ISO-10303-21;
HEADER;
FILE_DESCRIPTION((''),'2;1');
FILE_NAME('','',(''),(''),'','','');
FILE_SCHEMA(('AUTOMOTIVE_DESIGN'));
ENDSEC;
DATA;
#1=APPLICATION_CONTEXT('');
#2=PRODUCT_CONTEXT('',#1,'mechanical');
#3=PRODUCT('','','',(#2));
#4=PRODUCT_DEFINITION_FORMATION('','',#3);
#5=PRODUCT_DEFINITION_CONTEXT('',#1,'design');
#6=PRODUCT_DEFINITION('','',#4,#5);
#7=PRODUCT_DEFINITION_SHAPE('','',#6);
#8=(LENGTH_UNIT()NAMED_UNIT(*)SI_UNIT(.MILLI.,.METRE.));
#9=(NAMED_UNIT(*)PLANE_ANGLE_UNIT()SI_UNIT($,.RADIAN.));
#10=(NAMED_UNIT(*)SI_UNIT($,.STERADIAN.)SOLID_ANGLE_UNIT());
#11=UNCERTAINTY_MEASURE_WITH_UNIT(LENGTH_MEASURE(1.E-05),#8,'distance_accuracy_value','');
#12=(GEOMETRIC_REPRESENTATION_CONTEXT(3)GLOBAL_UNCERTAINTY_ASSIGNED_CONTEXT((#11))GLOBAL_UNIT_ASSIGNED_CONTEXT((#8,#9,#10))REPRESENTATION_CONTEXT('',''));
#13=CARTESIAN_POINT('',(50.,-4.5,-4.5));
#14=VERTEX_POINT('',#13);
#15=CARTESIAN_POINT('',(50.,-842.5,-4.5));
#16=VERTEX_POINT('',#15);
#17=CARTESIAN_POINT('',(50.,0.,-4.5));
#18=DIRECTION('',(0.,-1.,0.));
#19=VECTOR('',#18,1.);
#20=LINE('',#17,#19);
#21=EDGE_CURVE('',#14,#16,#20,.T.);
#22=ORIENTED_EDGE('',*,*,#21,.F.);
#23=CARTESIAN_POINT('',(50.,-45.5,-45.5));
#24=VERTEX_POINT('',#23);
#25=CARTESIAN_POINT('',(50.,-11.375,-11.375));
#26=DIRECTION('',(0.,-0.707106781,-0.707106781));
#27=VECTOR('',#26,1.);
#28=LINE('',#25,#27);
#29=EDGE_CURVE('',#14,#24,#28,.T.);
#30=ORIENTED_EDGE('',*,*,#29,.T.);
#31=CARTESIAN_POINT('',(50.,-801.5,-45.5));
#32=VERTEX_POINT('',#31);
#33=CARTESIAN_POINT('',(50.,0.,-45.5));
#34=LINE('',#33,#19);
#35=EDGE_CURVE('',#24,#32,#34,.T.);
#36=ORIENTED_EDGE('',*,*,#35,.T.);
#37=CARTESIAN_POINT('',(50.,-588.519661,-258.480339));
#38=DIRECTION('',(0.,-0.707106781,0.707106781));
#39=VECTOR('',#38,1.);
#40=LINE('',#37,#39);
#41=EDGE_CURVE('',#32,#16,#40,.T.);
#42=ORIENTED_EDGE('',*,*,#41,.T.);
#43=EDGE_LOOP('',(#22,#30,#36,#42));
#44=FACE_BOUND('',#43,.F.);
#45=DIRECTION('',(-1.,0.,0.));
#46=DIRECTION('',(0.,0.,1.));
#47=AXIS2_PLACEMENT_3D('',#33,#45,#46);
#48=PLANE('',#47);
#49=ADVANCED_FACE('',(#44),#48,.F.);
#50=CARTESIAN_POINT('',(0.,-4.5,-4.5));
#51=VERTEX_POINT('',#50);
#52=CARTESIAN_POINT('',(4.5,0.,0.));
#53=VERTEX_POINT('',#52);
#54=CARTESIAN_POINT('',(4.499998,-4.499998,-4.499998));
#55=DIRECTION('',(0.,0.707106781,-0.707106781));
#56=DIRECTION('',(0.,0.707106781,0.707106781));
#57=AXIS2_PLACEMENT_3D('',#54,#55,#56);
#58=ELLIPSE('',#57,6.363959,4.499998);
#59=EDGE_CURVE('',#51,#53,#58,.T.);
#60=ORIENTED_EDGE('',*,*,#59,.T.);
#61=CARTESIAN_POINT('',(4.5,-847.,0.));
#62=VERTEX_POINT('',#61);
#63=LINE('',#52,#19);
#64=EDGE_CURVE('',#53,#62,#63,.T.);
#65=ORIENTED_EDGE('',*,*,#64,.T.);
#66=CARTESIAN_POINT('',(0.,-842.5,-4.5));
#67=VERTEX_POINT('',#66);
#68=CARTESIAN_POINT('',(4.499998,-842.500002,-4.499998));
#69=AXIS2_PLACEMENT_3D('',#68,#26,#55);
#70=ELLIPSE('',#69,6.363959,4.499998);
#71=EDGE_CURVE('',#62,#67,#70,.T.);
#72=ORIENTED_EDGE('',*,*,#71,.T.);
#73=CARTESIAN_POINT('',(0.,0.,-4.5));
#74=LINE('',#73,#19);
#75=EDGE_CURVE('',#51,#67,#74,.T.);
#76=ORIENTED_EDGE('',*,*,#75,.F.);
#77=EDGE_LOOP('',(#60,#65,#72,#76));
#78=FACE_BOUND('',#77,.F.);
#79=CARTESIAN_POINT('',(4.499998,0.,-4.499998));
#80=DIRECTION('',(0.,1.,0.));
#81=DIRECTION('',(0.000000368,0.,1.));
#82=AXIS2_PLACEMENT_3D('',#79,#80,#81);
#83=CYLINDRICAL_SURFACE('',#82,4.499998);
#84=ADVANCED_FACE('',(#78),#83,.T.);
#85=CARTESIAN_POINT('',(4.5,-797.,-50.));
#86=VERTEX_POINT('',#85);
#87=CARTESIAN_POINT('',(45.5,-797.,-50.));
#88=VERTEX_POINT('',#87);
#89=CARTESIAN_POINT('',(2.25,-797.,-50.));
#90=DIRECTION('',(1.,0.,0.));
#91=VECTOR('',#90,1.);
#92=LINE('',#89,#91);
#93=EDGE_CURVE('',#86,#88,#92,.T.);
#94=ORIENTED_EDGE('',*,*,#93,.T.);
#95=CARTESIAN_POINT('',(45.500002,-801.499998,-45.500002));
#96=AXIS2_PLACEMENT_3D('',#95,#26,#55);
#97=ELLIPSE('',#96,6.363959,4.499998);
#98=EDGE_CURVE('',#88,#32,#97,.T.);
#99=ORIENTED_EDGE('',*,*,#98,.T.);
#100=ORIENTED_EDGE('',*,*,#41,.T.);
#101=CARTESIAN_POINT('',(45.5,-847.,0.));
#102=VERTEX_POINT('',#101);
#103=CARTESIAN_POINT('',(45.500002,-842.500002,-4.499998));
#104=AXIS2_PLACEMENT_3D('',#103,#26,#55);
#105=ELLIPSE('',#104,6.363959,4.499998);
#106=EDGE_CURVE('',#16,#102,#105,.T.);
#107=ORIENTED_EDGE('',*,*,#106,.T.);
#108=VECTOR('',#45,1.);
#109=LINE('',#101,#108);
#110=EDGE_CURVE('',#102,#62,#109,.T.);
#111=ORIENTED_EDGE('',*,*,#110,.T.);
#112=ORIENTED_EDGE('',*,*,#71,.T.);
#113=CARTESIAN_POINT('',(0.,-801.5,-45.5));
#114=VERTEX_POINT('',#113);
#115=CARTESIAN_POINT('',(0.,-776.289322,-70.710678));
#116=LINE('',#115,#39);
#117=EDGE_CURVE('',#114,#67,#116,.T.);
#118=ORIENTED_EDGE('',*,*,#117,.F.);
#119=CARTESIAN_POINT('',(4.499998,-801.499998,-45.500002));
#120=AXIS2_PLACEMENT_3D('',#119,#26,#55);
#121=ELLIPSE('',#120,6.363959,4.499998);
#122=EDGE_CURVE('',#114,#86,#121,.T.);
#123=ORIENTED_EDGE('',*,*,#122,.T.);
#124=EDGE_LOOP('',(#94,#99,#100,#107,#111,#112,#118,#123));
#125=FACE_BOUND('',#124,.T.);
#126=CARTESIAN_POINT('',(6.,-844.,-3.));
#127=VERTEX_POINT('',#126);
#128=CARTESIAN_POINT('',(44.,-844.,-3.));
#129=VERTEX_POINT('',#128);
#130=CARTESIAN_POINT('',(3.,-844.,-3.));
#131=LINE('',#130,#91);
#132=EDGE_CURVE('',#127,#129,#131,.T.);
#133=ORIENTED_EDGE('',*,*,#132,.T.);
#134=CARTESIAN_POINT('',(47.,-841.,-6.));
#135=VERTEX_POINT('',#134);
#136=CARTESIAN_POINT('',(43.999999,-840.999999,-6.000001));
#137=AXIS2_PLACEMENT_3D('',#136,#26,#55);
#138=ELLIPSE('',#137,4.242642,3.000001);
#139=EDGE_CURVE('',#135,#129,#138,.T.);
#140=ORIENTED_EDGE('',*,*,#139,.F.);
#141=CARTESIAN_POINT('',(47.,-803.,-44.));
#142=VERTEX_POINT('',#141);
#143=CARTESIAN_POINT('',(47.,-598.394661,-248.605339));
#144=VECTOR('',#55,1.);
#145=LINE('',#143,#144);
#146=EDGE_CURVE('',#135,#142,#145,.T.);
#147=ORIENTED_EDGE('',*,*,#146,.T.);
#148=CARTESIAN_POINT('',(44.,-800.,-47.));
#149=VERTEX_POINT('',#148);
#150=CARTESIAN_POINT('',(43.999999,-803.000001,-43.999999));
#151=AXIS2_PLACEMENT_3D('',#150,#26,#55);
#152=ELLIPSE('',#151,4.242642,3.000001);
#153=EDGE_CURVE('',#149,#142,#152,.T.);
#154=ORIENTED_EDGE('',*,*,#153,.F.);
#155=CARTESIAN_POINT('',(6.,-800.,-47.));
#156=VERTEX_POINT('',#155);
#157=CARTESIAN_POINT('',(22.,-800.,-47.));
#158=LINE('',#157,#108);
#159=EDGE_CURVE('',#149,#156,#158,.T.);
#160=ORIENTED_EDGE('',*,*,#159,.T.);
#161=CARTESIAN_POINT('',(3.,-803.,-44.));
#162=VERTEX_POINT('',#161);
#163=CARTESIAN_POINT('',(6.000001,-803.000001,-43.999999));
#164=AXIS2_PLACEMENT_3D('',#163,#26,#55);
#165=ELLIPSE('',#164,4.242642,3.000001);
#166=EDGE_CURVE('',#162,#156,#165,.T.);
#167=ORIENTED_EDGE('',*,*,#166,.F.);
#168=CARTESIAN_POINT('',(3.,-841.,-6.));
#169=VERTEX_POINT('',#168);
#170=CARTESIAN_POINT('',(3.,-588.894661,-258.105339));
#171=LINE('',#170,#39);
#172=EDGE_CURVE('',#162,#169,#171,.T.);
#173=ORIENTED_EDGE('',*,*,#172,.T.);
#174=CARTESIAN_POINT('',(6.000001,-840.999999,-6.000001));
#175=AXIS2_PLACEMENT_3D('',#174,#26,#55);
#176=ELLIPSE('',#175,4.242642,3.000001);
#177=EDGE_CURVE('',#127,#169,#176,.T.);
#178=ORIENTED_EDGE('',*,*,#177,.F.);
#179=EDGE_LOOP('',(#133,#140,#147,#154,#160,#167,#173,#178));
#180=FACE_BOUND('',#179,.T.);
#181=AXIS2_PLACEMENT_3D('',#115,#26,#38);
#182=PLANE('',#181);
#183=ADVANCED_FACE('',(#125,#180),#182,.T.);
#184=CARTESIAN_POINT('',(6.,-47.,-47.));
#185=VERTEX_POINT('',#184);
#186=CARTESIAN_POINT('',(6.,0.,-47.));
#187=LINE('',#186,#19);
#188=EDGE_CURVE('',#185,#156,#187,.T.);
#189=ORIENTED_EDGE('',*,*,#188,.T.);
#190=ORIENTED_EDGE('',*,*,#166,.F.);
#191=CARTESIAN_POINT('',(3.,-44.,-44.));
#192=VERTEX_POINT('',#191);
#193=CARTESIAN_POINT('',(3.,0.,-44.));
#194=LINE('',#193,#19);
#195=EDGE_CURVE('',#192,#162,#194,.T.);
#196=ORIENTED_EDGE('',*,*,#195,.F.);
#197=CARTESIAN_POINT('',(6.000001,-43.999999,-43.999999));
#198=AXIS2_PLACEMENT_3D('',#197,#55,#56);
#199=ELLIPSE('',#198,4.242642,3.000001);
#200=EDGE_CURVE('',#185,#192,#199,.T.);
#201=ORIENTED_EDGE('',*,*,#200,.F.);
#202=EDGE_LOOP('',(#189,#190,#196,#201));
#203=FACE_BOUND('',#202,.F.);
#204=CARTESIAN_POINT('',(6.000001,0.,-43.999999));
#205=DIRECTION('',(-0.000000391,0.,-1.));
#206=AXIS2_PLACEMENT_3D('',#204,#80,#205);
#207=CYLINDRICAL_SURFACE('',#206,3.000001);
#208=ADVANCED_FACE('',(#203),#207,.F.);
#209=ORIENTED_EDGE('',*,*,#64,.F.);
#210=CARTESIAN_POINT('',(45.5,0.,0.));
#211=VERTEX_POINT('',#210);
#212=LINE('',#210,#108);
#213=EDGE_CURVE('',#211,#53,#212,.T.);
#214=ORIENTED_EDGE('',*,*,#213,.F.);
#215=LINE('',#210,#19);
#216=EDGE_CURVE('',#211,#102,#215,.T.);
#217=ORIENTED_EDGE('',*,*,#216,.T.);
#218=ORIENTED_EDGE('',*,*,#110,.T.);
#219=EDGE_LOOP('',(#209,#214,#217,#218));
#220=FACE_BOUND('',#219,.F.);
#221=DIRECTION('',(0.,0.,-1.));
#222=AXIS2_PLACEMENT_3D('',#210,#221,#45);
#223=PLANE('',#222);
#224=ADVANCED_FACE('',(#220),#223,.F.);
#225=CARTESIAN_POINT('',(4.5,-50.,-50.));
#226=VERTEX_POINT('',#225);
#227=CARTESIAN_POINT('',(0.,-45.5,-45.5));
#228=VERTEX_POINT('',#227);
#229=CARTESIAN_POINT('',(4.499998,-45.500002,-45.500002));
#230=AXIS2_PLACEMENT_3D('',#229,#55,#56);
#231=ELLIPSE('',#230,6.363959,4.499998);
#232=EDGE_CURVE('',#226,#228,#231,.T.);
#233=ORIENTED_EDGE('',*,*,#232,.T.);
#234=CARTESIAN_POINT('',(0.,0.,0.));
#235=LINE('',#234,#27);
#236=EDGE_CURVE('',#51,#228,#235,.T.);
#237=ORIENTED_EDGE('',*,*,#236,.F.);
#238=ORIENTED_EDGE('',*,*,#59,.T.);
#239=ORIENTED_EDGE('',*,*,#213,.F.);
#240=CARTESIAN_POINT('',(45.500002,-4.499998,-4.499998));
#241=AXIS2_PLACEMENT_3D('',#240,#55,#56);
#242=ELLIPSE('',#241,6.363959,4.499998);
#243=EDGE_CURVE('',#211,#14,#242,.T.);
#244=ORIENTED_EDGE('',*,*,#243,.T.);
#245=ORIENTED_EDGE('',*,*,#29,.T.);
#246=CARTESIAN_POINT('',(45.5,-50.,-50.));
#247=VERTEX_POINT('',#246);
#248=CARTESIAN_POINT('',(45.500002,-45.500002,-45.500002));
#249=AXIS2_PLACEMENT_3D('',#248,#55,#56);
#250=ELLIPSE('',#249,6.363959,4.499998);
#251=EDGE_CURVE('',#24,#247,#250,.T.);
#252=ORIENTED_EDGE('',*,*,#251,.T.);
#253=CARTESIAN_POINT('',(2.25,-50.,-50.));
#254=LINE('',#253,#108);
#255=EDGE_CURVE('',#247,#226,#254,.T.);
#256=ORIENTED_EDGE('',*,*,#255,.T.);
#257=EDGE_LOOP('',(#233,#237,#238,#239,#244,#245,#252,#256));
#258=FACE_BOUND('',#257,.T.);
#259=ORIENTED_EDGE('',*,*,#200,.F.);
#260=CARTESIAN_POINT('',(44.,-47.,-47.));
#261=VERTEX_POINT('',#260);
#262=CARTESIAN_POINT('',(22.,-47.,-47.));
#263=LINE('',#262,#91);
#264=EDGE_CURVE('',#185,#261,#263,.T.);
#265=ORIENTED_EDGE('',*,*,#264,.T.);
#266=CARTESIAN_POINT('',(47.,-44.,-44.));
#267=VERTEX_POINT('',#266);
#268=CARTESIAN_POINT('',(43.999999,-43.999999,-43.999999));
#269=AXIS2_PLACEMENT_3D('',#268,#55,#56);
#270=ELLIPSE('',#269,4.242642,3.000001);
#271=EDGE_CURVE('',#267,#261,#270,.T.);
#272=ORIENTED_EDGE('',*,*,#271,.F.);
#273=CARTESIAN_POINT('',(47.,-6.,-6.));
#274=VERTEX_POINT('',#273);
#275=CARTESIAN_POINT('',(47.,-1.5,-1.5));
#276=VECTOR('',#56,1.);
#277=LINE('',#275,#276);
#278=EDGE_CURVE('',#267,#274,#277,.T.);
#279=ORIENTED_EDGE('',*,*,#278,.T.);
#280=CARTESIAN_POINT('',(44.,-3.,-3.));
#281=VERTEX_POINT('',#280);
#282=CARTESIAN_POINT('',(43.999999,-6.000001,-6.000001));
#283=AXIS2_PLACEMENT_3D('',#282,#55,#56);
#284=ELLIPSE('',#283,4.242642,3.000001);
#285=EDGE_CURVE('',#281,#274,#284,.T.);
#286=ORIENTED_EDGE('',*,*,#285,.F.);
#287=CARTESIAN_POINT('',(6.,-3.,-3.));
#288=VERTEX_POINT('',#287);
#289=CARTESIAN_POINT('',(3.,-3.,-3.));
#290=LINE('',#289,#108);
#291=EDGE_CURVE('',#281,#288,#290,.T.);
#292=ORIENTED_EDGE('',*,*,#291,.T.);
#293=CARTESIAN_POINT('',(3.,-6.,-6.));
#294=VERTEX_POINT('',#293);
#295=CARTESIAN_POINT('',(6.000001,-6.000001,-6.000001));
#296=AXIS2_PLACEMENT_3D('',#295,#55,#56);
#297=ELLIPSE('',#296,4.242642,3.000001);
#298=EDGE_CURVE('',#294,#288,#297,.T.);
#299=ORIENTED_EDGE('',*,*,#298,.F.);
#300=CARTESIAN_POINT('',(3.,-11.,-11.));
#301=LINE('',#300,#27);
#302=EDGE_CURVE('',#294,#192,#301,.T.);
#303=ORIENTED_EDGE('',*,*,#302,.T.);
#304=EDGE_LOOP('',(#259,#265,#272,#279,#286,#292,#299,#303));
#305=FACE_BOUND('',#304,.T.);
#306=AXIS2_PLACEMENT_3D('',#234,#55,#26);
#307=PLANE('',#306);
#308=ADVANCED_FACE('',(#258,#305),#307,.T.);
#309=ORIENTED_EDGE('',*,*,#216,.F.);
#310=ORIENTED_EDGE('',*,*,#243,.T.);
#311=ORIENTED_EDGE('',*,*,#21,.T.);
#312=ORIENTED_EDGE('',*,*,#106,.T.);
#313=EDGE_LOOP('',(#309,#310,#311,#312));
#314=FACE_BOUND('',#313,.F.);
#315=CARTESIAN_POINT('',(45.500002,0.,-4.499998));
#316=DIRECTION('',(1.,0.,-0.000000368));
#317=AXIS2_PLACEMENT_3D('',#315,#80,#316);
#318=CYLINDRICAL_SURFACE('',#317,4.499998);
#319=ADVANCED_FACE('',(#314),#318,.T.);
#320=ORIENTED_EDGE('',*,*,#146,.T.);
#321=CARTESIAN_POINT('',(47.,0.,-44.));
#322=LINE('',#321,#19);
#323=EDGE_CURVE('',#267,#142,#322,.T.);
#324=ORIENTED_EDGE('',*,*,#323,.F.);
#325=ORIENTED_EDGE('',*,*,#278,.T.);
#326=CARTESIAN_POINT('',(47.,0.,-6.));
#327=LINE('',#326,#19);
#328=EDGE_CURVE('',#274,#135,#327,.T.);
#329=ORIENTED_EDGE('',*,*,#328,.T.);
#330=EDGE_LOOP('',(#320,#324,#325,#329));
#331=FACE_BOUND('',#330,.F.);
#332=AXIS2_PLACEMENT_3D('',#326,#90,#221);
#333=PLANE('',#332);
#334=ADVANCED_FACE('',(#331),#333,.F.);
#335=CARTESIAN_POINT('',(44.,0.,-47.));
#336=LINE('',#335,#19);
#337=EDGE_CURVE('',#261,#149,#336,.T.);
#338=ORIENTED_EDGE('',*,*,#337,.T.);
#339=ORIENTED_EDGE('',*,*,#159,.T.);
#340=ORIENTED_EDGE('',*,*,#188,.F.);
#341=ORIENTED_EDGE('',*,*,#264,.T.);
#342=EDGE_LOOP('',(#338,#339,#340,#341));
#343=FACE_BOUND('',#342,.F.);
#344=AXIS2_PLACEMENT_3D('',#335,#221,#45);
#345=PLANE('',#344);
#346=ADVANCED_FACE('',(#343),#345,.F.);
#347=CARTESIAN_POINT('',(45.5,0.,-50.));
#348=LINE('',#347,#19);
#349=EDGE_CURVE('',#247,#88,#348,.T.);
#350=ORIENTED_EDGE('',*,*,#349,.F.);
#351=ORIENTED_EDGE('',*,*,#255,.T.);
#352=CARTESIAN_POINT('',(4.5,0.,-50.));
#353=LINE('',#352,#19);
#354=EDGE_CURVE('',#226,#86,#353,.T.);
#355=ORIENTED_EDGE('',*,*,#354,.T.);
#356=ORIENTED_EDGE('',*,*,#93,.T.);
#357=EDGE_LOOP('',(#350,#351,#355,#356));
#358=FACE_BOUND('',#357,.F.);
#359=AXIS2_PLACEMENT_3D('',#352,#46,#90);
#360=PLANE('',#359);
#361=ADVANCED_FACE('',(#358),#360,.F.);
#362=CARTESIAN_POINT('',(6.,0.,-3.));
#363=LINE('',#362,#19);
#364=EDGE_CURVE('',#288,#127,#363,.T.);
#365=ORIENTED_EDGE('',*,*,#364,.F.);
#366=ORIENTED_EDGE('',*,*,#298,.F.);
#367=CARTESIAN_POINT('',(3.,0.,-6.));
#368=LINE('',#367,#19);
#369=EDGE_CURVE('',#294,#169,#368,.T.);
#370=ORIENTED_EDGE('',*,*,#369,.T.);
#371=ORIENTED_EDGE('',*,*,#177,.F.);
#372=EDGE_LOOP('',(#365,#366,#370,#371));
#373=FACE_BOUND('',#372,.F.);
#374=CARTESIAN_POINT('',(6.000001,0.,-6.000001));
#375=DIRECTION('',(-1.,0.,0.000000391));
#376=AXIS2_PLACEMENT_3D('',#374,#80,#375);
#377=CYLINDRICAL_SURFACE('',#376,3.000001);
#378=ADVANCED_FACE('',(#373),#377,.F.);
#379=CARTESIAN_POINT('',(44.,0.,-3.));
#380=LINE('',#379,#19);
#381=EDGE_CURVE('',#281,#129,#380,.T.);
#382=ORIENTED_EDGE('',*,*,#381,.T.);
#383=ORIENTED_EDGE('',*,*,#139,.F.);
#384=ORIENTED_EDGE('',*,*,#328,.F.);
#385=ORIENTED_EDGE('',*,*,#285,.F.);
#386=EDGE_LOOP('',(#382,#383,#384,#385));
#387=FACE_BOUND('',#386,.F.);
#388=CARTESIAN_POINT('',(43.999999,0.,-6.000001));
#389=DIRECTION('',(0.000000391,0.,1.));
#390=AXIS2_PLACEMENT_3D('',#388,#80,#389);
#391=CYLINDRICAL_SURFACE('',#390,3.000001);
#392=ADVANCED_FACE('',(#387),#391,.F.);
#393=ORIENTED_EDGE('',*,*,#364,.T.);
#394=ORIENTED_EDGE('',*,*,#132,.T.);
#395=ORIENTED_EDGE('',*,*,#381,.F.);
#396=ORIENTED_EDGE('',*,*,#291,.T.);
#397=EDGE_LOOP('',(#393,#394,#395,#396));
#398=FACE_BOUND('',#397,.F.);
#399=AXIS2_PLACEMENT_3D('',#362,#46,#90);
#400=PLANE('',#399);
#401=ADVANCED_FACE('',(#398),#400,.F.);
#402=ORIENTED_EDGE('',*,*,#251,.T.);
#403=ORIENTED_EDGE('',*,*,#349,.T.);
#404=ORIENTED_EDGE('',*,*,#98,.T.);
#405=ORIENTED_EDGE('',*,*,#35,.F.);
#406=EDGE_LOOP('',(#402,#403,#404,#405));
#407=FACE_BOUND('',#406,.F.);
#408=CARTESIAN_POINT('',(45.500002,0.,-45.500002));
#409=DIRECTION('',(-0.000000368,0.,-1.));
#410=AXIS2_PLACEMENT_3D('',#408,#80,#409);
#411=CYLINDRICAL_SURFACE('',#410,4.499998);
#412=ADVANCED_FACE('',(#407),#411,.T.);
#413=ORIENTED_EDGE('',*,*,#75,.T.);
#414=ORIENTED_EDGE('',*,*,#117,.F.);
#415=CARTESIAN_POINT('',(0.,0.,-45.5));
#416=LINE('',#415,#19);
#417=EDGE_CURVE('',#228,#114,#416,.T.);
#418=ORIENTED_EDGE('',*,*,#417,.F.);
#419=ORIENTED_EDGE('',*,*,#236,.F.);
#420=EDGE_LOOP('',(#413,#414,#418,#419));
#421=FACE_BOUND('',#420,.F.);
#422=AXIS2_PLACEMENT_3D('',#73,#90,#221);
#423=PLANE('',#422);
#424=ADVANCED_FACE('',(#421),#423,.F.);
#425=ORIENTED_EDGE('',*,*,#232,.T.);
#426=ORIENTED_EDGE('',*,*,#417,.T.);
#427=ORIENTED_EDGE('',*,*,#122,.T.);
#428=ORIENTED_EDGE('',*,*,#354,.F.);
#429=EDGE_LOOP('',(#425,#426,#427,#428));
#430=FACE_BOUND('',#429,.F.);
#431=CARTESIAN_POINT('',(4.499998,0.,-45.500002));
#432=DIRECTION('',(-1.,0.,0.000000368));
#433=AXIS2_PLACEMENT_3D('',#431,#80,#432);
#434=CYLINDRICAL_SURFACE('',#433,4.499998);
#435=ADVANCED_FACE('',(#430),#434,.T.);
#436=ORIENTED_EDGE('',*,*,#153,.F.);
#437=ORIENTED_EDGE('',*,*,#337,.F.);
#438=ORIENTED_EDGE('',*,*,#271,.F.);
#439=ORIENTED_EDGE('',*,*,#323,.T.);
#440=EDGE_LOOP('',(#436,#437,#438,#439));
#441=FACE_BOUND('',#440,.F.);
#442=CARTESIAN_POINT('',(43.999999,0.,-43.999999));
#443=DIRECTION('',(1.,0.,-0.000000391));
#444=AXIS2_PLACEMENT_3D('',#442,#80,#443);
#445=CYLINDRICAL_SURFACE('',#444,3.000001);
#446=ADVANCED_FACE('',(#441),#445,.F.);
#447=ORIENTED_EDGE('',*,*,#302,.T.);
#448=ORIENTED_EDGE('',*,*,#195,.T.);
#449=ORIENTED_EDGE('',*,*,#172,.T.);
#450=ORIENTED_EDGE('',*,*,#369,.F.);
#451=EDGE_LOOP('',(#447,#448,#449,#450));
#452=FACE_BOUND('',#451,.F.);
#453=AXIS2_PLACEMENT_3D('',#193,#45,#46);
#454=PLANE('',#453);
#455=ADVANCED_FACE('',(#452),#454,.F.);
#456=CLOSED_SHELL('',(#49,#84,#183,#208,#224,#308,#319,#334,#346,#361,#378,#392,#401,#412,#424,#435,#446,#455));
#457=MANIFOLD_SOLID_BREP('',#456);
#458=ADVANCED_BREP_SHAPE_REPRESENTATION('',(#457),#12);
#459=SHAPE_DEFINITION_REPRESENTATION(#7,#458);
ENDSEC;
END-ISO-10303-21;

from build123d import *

# Parameters (mm, degrees)
F1_DEPTH = 847
F3_DEPTH = 50.001


with BuildPart() as f1:
    # F0 (on Front) → F1 (new body)
    with BuildSketch(Plane.XZ):
        with BuildLine():
            Line((45.5, 0), (4.5, 0))
            ThreePointArc((4.5, 0), (1.318019, -1.318019), (0, -4.5))
            Line((0, -4.5), (0, -45.5))
            ThreePointArc((0, -45.5), (1.318019, -48.681981), (4.5, -50))
            Line((4.5, -50), (45.5, -50))
            ThreePointArc((45.5, -50), (48.681981, -48.681981), (50, -45.5))
            Line((50, -45.5), (50, -4.5))
            ThreePointArc((50, -4.5), (48.681981, -1.318019), (45.5, 0))
        make_face()
        with BuildLine():
            ThreePointArc((3, -6), (3.87868, -3.87868), (6, -3))
            Line((6, -3), (44, -3))
            ThreePointArc((44, -3), (46.12132, -3.87868), (47, -6))
            Line((47, -6), (47, -44))
            ThreePointArc((47, -44), (46.12132, -46.12132), (44, -47))
            Line((44, -47), (6, -47))
            ThreePointArc((6, -47), (3.87868, -46.12132), (3, -44))
            Line((3, -44), (3, -6))
        make_face(mode=Mode.SUBTRACT)
    extrude(amount=F1_DEPTH)

    # F2 (on Right) → F3 (cut, through all)
    with BuildSketch(Plane.YZ):
        Polygon((29.289322, 0), (0, 0), (-45.5, -45.5), (-70.710678, -70.710678), (29.289322, -70.710678), align=None)
        Polygon((-776.289322, -70.710678), (-801.5, -45.5), (-847, 0), (-876.289322, 0), (-876.289322, -70.710678), align=None)
    extrude(amount=F3_DEPTH, mode=Mode.SUBTRACT)


solid = f1.part
